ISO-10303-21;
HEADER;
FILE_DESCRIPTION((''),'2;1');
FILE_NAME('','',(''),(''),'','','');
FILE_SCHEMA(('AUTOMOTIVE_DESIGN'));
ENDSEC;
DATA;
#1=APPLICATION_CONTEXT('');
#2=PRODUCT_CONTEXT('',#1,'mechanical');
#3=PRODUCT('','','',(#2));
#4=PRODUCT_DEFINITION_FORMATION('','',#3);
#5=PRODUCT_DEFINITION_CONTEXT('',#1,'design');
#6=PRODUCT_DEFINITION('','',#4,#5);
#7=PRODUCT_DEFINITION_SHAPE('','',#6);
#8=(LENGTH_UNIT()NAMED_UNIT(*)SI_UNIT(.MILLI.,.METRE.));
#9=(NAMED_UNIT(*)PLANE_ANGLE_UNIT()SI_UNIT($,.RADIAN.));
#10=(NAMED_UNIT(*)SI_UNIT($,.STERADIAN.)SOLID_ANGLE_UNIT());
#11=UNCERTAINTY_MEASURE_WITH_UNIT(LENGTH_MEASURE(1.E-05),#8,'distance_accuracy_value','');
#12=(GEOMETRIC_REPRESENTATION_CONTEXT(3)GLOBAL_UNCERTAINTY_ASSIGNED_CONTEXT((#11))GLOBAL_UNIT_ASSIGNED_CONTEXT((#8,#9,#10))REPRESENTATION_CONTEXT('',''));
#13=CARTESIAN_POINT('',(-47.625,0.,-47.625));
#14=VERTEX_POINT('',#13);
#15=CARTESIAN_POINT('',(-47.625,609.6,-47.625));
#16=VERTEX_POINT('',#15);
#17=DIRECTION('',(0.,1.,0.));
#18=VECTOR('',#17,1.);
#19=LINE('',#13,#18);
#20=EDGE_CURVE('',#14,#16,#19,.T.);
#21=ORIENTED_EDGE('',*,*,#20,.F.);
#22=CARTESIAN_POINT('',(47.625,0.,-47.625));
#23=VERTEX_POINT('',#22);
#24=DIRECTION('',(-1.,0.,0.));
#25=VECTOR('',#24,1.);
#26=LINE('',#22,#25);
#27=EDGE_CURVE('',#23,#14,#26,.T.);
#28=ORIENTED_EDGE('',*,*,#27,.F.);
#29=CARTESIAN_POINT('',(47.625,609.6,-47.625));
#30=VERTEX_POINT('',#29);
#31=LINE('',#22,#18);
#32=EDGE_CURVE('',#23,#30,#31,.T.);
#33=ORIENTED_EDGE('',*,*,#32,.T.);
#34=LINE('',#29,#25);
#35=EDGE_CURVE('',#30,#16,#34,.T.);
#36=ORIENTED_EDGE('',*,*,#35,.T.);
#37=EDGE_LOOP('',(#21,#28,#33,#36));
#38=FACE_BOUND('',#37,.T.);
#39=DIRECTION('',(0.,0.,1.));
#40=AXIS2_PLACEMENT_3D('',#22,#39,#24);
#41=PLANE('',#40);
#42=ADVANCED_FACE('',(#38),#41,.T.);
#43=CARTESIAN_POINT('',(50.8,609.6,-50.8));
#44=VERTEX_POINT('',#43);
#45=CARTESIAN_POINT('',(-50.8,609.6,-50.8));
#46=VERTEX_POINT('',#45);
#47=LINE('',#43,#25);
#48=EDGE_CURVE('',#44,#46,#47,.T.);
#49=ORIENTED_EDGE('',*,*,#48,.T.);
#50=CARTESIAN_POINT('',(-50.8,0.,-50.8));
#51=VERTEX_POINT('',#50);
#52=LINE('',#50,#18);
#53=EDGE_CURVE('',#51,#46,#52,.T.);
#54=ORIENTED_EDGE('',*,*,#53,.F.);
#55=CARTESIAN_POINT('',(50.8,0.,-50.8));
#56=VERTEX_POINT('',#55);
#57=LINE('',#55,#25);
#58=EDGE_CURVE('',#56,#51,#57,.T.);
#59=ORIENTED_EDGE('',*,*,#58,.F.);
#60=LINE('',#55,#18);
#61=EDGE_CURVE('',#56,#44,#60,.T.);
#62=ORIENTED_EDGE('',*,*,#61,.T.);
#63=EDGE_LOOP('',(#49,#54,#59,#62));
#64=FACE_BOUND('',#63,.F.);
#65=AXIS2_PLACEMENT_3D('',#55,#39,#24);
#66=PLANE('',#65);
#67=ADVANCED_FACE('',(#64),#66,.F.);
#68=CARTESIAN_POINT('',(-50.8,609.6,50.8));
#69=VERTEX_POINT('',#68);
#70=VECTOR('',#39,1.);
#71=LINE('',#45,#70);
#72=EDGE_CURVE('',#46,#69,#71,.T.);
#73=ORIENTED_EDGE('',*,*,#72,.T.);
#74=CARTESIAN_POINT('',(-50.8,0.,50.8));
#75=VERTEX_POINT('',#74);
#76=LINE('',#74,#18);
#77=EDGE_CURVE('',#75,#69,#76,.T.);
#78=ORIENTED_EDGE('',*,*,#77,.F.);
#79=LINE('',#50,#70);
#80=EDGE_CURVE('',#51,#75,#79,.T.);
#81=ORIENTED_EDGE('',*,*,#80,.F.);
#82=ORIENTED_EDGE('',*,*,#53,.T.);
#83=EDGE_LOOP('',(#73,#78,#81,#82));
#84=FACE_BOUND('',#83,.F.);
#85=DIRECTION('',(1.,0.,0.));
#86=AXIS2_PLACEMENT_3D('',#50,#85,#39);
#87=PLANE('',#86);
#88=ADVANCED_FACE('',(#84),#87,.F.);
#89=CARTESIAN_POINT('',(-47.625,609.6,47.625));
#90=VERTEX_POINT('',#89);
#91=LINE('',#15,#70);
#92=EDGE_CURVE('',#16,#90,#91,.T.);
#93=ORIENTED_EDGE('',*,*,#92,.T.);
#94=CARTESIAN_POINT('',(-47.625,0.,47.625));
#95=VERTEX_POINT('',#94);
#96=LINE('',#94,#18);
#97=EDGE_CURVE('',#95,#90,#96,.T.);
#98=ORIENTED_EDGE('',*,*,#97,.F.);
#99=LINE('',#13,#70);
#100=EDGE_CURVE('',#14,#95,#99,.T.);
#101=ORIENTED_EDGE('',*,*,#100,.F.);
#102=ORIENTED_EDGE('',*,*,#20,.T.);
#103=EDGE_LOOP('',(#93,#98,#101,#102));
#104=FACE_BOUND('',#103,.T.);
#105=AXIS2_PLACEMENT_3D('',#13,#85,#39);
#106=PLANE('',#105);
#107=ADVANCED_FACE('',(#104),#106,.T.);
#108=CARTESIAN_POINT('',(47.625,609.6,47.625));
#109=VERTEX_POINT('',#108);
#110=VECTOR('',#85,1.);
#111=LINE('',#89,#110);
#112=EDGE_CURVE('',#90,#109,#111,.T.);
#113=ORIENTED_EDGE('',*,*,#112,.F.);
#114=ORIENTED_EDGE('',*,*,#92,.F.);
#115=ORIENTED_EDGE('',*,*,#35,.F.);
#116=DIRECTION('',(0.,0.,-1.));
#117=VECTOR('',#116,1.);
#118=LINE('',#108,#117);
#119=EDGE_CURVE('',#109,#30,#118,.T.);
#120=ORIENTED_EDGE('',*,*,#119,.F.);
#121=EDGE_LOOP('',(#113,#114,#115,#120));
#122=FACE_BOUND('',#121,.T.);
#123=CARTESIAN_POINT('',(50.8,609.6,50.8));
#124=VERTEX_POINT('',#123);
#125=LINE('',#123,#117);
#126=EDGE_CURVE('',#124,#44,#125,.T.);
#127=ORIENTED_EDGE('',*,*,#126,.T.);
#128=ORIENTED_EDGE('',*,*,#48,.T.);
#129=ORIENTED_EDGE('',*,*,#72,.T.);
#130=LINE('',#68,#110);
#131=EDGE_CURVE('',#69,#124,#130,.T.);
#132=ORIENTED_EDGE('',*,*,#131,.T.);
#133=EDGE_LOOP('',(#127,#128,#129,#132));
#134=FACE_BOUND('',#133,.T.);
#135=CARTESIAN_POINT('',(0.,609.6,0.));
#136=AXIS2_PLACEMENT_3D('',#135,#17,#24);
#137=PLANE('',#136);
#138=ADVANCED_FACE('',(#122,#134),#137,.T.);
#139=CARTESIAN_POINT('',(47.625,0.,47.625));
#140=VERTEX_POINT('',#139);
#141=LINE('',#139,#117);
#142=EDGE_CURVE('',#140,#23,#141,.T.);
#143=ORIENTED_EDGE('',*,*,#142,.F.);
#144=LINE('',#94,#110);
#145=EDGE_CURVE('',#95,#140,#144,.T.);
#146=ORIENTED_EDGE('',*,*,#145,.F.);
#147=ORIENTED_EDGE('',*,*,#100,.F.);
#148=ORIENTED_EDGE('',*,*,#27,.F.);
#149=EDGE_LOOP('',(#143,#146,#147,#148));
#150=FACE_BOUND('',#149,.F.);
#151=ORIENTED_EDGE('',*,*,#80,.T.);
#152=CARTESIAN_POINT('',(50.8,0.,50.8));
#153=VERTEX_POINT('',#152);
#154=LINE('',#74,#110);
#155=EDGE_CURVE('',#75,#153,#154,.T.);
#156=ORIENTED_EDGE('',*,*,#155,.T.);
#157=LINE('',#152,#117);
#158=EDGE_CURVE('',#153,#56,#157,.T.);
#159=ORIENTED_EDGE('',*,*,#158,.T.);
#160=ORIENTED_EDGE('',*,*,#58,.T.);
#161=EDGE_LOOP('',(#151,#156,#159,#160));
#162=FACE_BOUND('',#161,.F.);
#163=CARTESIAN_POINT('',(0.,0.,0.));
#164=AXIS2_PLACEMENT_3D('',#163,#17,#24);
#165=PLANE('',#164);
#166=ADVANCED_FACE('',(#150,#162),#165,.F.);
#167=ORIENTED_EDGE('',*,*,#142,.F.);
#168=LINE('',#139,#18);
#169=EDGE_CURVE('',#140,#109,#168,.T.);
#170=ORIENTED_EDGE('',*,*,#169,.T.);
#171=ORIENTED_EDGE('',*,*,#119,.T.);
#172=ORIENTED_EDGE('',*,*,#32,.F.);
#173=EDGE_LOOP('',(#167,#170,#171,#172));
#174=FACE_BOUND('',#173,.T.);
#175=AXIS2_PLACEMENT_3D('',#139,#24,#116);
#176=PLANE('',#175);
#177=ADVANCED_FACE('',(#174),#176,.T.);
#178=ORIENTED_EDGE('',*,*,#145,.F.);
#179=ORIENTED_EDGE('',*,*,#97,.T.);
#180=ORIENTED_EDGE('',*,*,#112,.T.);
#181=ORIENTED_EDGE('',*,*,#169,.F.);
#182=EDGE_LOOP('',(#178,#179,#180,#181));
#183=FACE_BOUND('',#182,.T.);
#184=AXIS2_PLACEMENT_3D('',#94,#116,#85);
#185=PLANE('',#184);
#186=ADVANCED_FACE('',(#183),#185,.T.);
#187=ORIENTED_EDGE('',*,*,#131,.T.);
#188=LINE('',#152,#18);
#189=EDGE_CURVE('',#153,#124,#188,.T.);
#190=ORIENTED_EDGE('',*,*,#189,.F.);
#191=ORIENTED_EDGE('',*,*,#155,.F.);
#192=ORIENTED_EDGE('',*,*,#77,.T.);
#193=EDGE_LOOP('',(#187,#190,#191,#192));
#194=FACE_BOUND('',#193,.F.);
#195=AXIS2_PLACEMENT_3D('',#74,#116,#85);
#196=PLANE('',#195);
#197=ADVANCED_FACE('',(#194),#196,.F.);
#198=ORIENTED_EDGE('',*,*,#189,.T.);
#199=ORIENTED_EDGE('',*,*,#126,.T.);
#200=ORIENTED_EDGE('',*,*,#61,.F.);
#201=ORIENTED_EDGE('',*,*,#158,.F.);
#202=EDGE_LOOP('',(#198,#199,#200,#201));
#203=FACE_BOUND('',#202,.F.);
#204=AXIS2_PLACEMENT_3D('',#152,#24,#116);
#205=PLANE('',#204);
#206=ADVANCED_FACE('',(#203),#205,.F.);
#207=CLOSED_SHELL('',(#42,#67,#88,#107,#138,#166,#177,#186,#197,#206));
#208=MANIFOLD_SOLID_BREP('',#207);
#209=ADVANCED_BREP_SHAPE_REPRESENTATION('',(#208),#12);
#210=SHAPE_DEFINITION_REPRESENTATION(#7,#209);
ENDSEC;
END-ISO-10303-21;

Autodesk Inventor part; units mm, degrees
ref_plane "YZ Plane" through (0, 0, 0) normal (1, 0, 0) x (0, 1, 0)
ref_plane "XZ Plane" through (0, 0, 0) normal (0, 1, 0) x (-1, 0, 0)
ref_plane "XY Plane" through (0, 0, 0) normal (0, 0, 1) x (1, 0, 0)
sketch "Sketch1" plane through (0, 0, 0) normal (0, 1, 0) x (-1, 0, 0)
  line L0 (-50.8, 50.8) -> (-50.8, -50.8)
  line L1 (-50.8, -50.8) -> (50.8, -50.8)
  line L2 (50.8, -50.8) -> (50.8, 50.8)
  line L3 (50.8, 50.8) -> (-50.8, 50.8)
  line L4 (-50.8, 50.8) -> (50.8, -50.8) construction
  line L5 (-50.8, -50.8) -> (50.8, 50.8) construction
  line L6 (-47.625, 47.625) -> (-47.625, -47.625)
  line L7 (-47.625, -47.625) -> (47.625, -47.625)
  line L8 (47.625, -47.625) -> (47.625, 47.625)
  line L9 (47.625, 47.625) -> (-47.625, 47.625)
  line L10 (-47.625, 47.625) -> (47.625, -47.625) construction
  line L11 (-47.625, -47.625) -> (47.625, 47.625) construction
  point P0 (0, 0)
  dimension "d0" = 101.6
  dimension "d1" = 3.175
extrude "Extrusion1" add sketch "Sketch1" along normal blind 609.6
properties part number "AlumPost-4x4x36-1_8" material "Aluminum 6061"
